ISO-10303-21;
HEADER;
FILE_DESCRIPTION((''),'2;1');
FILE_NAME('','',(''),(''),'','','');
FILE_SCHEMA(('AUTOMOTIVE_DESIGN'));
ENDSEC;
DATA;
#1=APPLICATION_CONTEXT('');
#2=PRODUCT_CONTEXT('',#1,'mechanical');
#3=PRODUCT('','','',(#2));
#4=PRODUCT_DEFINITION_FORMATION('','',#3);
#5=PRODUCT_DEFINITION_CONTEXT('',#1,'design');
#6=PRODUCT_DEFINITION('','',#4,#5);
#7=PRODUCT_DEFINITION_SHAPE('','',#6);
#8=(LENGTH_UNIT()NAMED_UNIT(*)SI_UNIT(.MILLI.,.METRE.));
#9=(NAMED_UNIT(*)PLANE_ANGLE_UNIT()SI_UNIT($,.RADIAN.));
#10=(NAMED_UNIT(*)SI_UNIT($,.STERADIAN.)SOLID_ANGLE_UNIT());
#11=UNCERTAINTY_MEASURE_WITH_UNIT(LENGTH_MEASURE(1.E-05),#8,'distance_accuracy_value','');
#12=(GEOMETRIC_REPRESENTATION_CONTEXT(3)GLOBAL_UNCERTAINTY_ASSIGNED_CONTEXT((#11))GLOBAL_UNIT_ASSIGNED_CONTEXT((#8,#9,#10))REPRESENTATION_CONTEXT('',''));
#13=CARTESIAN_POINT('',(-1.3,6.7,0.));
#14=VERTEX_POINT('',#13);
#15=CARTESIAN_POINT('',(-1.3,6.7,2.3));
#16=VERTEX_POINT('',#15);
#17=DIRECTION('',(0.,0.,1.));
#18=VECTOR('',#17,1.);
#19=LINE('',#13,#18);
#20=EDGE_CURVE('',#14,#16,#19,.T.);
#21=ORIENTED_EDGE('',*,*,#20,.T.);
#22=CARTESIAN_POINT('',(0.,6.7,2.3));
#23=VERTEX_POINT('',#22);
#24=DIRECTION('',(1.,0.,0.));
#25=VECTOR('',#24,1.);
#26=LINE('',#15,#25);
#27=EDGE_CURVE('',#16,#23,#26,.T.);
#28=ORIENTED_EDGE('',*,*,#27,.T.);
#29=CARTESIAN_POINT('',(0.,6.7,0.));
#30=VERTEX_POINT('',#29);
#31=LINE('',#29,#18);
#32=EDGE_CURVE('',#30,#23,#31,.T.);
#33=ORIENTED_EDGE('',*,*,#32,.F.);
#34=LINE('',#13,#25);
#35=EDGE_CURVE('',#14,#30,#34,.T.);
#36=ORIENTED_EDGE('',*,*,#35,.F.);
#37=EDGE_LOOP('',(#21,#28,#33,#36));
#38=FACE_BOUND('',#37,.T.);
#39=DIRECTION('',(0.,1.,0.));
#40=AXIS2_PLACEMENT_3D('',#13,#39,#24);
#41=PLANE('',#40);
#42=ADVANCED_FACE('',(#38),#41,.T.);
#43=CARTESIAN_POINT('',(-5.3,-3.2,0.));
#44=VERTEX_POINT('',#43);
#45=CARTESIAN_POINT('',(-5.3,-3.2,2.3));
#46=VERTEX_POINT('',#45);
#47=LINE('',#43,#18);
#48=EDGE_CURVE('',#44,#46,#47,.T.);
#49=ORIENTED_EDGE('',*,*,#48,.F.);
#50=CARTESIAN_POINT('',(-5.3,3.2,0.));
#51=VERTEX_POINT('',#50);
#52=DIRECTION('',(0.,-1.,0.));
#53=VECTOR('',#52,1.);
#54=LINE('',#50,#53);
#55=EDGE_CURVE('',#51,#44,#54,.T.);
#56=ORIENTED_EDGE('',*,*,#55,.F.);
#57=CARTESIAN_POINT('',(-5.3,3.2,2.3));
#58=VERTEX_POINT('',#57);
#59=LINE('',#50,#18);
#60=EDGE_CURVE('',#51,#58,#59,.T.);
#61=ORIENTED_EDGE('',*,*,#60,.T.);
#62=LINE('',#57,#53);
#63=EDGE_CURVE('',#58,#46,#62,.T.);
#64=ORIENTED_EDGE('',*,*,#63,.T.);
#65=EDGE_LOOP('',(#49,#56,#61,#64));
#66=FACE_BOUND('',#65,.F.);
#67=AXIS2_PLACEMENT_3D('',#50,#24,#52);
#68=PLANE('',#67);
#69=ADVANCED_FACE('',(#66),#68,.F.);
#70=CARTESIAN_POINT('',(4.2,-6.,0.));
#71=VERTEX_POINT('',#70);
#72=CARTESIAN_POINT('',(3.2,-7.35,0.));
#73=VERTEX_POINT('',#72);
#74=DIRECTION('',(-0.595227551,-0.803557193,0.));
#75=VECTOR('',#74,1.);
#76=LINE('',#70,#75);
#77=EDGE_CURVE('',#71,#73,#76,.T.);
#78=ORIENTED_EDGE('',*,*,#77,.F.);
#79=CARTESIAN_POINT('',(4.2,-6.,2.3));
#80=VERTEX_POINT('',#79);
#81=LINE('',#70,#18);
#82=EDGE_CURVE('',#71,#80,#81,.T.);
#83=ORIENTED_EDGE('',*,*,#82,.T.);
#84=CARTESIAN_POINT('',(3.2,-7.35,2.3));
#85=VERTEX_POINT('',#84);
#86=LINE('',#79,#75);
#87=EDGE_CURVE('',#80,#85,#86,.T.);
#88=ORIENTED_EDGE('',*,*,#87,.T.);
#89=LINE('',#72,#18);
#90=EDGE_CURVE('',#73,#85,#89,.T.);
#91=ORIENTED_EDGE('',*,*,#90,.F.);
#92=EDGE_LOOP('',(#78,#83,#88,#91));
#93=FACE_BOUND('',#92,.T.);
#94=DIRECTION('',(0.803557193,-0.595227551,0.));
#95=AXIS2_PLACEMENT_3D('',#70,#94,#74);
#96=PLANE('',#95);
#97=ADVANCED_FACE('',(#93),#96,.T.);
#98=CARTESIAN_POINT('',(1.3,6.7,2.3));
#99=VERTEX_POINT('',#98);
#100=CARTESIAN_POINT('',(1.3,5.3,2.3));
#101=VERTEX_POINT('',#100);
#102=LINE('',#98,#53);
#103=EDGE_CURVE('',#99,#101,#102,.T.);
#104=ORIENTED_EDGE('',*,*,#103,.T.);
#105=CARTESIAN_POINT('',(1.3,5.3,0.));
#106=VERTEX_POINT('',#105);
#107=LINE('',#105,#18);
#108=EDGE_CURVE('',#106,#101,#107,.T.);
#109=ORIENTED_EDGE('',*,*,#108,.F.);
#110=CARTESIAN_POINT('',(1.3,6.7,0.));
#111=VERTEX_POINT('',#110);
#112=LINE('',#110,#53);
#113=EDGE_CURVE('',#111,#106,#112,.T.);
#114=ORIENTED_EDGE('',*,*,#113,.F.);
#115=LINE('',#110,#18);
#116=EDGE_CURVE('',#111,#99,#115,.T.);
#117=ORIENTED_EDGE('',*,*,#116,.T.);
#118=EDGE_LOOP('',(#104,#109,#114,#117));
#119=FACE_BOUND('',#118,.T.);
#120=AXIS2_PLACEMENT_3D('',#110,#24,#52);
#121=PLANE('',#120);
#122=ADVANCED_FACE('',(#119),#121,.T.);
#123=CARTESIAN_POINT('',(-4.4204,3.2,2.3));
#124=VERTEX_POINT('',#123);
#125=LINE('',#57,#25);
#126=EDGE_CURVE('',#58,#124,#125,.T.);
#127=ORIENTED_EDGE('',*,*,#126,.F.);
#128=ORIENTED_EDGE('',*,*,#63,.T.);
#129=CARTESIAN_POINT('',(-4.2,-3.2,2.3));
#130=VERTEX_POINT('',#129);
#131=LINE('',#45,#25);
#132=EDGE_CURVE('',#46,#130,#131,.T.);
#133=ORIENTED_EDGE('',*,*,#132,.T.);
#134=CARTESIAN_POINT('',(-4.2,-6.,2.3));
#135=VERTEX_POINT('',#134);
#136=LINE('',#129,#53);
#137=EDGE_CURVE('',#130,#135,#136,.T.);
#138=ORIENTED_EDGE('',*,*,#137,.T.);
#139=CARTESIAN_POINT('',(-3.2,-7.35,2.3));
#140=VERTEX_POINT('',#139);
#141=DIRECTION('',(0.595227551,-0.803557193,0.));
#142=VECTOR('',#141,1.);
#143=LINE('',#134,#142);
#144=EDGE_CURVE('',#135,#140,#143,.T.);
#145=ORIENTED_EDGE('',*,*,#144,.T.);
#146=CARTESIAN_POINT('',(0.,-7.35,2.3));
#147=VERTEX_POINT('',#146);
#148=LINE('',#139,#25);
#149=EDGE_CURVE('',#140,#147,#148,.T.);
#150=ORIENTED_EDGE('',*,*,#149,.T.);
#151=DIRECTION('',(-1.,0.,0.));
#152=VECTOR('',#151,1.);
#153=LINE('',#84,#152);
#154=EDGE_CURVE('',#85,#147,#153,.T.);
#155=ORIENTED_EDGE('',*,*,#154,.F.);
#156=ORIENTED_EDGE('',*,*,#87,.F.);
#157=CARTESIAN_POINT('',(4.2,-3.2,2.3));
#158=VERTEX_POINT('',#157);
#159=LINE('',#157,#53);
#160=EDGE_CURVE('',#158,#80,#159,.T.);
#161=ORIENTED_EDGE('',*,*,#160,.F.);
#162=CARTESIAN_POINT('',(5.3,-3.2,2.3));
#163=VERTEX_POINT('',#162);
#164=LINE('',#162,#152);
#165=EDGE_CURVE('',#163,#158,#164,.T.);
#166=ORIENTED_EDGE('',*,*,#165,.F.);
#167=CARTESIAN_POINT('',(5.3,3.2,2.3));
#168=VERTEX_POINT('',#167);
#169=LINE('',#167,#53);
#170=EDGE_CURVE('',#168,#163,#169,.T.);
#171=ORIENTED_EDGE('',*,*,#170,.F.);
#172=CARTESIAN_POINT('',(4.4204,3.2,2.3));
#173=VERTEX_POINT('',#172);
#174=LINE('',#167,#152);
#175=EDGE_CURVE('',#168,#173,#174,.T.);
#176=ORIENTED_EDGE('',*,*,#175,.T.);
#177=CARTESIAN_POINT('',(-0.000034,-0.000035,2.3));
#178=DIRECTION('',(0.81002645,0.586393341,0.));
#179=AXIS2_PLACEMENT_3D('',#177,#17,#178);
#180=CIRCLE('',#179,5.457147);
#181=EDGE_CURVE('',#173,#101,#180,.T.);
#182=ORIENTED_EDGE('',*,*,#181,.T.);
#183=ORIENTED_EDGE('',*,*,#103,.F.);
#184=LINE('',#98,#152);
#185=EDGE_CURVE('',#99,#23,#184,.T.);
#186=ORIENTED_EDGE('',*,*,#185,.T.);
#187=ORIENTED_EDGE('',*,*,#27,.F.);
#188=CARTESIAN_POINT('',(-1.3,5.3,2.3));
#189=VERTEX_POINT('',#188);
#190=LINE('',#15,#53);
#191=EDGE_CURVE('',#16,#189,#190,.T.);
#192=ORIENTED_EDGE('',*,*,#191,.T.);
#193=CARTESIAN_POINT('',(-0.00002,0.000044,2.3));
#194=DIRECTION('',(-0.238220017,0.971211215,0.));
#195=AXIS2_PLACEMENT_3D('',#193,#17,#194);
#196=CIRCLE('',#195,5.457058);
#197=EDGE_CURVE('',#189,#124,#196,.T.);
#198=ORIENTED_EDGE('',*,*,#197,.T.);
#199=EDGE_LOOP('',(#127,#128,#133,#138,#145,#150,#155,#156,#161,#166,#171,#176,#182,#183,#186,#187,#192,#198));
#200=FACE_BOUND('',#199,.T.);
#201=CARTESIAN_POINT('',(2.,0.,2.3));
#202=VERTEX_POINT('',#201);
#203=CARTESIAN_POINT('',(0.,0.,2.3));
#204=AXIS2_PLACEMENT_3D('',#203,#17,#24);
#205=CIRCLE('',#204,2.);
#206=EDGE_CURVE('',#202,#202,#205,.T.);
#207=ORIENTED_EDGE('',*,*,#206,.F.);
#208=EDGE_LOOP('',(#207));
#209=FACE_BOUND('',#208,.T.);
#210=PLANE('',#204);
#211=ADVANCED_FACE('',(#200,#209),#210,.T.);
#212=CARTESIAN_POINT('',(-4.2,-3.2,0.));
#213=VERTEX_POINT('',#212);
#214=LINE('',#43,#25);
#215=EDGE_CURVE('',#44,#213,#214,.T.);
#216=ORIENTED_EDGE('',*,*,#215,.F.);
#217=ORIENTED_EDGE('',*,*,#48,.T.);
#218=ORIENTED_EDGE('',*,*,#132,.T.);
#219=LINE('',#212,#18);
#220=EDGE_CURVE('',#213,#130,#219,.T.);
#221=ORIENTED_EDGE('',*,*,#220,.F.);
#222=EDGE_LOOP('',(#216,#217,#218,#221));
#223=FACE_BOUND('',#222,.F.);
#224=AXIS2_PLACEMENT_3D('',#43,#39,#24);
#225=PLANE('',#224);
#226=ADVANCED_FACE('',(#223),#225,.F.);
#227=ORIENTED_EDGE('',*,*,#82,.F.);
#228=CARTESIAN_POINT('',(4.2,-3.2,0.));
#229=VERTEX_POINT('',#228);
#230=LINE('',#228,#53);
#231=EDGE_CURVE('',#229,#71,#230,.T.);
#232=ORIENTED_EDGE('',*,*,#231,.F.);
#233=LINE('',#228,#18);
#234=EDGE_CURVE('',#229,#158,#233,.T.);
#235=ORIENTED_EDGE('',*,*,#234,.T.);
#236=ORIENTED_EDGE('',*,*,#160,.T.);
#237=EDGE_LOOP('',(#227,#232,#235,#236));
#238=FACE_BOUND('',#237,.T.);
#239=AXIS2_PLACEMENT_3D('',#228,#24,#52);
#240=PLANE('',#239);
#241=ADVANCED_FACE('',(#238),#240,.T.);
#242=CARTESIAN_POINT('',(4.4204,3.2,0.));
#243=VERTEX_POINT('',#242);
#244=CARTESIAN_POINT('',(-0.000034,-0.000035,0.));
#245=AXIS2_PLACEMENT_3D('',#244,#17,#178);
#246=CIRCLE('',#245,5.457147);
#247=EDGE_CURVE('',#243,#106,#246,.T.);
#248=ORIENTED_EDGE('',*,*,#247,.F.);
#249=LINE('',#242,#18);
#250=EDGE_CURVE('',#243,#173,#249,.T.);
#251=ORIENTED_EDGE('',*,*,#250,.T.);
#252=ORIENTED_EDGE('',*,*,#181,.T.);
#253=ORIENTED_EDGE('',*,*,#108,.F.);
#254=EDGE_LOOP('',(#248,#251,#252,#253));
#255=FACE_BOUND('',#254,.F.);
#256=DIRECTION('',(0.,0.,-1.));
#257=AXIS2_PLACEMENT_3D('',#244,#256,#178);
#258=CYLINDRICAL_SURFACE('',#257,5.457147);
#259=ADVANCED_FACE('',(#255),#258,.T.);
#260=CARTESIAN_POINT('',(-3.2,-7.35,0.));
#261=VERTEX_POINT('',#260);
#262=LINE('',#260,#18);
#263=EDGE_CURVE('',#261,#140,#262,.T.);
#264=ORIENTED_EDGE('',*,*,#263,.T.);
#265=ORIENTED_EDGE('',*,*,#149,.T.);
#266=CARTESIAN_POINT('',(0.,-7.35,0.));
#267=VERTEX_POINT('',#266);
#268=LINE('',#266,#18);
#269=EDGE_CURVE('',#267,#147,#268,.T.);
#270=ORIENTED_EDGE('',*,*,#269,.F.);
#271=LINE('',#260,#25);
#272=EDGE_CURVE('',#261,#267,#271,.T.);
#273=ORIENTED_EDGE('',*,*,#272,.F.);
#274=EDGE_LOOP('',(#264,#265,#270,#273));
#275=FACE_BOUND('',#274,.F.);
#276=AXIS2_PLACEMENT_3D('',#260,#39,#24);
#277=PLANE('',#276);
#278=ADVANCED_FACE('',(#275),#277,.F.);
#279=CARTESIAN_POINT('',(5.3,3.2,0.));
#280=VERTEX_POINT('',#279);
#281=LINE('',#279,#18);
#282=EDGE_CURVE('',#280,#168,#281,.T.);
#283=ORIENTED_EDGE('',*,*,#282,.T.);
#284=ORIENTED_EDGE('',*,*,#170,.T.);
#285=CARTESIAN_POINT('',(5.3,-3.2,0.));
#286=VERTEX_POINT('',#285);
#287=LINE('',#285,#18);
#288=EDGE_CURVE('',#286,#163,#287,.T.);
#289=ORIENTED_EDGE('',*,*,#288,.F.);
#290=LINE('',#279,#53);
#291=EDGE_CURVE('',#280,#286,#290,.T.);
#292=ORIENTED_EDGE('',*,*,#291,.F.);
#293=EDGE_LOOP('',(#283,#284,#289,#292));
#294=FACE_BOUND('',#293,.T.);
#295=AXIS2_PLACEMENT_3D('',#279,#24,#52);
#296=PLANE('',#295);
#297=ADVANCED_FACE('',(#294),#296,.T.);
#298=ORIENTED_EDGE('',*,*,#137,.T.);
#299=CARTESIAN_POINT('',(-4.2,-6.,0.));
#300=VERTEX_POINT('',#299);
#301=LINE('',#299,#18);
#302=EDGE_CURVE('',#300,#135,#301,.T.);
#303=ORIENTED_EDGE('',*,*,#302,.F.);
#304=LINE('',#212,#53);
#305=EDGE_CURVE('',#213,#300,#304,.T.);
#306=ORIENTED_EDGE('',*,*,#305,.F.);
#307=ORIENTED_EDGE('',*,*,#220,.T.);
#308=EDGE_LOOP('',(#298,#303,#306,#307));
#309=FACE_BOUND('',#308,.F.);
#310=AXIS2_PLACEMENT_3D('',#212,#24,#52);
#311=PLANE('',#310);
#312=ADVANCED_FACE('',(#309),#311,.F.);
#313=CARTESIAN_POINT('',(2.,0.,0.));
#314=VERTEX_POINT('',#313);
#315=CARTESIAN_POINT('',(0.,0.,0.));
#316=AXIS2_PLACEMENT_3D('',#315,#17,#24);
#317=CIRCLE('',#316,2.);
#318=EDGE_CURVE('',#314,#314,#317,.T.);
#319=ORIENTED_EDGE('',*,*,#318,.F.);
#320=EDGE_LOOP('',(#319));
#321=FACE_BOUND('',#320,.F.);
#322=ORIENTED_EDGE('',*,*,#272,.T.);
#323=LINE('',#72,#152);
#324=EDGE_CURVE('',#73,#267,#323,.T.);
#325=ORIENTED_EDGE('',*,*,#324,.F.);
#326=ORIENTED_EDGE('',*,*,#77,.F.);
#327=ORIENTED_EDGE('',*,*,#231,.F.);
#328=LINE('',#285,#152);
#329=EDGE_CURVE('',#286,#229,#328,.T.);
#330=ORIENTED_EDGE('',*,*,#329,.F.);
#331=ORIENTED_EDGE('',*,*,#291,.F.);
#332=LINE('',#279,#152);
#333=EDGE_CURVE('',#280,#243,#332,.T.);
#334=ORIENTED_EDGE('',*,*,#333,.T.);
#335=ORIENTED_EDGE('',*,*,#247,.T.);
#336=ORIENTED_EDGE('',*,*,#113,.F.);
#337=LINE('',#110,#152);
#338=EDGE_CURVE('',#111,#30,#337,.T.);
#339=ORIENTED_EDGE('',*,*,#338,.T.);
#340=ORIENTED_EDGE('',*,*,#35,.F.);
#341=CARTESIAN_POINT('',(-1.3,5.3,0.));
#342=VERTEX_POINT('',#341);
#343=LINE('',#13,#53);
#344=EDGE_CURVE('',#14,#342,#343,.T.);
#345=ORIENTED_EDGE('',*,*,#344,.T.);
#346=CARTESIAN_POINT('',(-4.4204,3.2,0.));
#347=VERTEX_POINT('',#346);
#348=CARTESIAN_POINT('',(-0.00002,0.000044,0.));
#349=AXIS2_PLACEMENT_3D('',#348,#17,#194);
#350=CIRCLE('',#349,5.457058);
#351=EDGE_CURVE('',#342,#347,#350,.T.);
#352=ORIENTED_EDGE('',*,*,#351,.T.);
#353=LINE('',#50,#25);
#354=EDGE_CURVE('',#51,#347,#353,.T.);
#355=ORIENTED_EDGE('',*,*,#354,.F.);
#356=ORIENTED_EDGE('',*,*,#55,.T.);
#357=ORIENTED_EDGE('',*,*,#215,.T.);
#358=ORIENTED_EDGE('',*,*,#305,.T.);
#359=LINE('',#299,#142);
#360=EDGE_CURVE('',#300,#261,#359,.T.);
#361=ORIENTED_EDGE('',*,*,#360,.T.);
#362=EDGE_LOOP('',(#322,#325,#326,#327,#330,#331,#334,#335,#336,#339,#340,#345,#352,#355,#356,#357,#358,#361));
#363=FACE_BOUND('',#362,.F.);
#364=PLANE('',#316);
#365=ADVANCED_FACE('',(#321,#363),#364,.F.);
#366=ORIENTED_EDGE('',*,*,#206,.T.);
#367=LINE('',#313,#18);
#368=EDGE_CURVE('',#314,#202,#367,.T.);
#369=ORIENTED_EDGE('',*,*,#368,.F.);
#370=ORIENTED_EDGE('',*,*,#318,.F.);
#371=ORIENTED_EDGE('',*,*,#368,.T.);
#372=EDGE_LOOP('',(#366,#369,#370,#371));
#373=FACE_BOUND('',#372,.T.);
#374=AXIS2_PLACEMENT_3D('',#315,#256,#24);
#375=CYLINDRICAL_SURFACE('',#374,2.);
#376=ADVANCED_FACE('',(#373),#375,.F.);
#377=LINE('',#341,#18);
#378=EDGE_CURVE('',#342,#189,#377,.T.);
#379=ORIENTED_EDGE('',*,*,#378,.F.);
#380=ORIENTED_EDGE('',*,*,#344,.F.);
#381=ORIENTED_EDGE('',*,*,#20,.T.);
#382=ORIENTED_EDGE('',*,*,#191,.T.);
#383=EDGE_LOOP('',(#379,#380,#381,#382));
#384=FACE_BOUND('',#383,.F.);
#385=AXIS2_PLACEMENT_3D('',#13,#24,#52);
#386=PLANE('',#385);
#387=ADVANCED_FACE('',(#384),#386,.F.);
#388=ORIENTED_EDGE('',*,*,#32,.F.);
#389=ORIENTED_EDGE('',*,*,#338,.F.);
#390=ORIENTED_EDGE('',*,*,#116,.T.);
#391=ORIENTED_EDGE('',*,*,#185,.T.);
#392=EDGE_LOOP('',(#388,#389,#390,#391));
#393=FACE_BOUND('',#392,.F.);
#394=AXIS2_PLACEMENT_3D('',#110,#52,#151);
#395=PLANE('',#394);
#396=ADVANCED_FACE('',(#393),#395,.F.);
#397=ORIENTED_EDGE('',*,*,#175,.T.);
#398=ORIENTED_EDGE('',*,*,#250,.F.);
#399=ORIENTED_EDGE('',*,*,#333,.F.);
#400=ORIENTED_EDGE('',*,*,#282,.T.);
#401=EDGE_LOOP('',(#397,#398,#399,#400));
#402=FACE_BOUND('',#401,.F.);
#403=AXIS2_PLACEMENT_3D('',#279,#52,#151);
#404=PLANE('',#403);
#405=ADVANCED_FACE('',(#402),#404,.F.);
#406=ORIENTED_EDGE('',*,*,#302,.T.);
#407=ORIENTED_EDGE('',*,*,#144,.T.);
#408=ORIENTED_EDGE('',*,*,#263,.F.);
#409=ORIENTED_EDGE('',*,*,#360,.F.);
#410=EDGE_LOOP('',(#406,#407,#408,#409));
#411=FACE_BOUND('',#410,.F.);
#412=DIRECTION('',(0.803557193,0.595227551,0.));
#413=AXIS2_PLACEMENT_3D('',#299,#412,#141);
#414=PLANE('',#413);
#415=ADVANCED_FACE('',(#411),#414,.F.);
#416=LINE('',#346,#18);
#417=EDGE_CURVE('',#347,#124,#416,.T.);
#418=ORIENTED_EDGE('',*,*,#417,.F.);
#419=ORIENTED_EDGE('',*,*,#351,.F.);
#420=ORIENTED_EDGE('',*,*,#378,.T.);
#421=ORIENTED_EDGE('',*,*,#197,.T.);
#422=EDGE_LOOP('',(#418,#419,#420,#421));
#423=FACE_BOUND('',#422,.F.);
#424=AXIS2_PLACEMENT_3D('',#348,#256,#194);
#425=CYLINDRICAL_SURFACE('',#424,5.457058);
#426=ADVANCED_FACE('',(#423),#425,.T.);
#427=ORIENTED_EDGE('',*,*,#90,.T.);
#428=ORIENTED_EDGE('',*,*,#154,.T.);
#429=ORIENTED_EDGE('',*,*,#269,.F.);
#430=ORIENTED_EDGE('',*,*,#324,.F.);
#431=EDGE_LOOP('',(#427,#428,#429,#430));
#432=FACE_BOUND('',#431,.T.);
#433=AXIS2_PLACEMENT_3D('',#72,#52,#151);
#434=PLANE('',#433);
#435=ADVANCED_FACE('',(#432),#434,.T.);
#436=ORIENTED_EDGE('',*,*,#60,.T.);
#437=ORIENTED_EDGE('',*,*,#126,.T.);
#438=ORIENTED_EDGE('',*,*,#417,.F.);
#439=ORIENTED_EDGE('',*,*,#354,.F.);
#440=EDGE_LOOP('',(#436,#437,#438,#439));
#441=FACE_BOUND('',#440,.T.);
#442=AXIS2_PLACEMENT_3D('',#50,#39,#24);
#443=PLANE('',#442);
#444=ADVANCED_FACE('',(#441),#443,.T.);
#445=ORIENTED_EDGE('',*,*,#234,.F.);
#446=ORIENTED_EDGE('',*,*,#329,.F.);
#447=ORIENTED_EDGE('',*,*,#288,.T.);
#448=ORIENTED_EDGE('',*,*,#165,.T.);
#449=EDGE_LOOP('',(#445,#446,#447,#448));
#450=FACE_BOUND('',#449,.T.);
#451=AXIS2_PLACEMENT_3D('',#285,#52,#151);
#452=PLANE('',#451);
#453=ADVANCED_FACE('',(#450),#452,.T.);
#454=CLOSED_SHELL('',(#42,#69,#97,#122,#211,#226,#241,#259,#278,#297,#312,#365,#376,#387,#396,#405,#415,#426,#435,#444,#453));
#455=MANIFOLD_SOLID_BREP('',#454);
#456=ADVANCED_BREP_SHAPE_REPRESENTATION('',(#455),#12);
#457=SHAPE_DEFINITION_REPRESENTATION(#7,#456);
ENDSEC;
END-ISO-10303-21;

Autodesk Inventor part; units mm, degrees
ref_plane "YZ Plane" through (0, 0, 0) normal (1, 0, 0) x (0, 1, 0)
ref_plane "XZ Plane" through (0, 0, 0) normal (0, 1, 0) x (-1, 0, 0)
ref_plane "XY Plane" through (0, 0, 0) normal (0, 0, 1) x (1, 0, 0)
sketch "Sketch1" plane through (0, 0, 0) normal (0, 0, 1) x (1, 0, 0)
  circle A0 centre (0, 0) radius 2
  line L0 (-5.3, 3.2) -> (-5.3, -3.2)
  line L1 (-5.3, -3.2) -> (-4.2, -3.2)
  line L2 (-4.2, -3.2) -> (-4.2, -6)
  line L3 (-4.2, -6) -> (-3.2, -7.35)
  line L4 (-3.2, -7.35) -> (0, -7.35)
  line L5 (-1.3, 6.7) -> (-1.3, 5.3)
  line L6 (-1.3, 6.7) -> (0, 6.7)
  line L7 (0, 5.3) -> (0, -7.35) construction
  arc A1 (-1.3, 5.3) -> (-4.4204, 3.2) centre (0, 0) ccw
  line L8 (-5.3, 3.2) -> (-4.4204, 3.2)
  line L9 (0, 0) -> (-5.3, 0) construction
  line L10 (5.3, 3.2) -> (5.3, -3.2)
  line L11 (5.3, -3.2) -> (4.2, -3.2)
  line L12 (4.2, -3.2) -> (4.2, -6)
  line L13 (4.2, -6) -> (3.2, -7.35)
  line L14 (3.2, -7.35) -> (0, -7.35)
  line L15 (1.3, 6.7) -> (1.3, 5.3)
  line L16 (1.3, 6.7) -> (0, 6.7)
  arc A2 (4.4204, 3.2) -> (1.3, 5.3) centre (0, 0) ccw
  line L17 (5.3, 3.2) -> (4.4204, 3.2)
  line L18 (0, 0) -> (5.3, 0) construction
  dimension "d0" = 4
  dimension "d1" = 1.3
  dimension "d2" = 5.3
  dimension "d3" = 6.7
  dimension "d4" = 4.2
  dimension "d5" = 5.3
  dimension "d7" = 3.2
  dimension "d9" = 7.35
  dimension "d10" = 3.2
  dimension "d11" = 2.8
extrude "Extrusion1" add sketch "Sketch1" along normal blind 2.3
properties part number "encoder_coarse"
